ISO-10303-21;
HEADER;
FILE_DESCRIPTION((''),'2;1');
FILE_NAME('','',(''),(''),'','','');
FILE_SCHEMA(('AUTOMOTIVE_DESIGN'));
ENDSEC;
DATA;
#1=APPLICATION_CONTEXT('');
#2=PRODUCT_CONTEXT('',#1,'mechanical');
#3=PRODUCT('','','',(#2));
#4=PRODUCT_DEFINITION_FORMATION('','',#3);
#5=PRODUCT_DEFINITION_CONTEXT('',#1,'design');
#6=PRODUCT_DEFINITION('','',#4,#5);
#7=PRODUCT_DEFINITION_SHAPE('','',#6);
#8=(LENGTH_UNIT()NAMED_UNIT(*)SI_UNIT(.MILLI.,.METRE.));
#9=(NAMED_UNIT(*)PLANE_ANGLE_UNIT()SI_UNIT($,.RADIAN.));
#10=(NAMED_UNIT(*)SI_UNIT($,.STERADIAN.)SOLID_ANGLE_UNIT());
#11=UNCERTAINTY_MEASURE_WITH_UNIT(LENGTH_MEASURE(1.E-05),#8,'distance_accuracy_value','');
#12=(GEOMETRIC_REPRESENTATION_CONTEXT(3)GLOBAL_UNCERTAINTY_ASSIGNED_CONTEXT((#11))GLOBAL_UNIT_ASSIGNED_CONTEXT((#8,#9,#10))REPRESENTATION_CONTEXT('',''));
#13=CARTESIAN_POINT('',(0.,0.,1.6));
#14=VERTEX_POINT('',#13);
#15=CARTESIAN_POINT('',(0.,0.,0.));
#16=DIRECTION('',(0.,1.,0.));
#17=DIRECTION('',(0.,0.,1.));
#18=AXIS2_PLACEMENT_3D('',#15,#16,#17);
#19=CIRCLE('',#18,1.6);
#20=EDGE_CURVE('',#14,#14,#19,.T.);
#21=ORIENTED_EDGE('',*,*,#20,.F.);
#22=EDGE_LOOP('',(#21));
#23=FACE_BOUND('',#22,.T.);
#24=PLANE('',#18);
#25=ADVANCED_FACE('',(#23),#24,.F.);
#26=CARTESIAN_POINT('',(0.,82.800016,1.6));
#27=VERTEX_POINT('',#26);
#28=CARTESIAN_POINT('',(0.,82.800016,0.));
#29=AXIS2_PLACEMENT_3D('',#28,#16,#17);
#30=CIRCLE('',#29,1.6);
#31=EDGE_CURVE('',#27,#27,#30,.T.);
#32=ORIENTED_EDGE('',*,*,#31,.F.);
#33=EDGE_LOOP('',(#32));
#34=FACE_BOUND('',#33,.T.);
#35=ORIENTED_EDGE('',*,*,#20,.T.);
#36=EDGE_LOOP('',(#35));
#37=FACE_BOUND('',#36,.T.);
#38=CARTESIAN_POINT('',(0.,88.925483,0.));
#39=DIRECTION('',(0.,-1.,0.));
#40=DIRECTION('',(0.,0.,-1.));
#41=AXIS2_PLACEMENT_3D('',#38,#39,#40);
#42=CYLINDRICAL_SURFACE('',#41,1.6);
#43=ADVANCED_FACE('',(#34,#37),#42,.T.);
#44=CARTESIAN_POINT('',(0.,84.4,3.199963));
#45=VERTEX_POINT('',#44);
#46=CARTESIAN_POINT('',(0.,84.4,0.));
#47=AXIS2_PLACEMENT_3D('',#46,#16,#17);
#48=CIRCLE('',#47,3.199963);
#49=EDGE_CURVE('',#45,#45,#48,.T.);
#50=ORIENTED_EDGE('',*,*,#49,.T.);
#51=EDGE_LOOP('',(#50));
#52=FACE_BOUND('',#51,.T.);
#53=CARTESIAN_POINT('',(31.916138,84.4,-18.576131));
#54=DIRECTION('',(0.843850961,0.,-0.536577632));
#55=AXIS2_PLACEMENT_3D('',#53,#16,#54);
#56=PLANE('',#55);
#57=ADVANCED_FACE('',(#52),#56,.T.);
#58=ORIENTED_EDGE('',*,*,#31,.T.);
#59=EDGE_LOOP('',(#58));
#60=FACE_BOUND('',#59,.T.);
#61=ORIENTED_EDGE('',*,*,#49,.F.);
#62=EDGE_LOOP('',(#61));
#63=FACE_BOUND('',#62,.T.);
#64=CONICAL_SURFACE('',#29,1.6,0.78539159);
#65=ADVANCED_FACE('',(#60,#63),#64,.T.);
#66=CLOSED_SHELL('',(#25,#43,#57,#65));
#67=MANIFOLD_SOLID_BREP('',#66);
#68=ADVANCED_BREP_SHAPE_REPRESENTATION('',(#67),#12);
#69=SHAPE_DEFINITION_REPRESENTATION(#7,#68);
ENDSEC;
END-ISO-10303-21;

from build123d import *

# Parameters (mm, degrees)
SKETCH1_R           = 1.6
BOSS_EXTRUDE1_DEPTH = 84.4


with BuildPart() as part:
    # Sketch1 → Boss-Extrude1 (new body)
    with BuildSketch(Plane(origin=(0, 0, 0), x_dir=(1, 0, 0), z_dir=(0, 1, 0))):
        Circle(SKETCH1_R)
    extrude(amount=BOSS_EXTRUDE1_DEPTH)

    # Sketch4 → Revolve1 (revolve)
    with BuildSketch(Plane.XY):
        Polygon((1.6, 84.4), (1.6, 82.80001564), (3.199963324, 84.4), align=None)
    revolve(axis=Axis((0, 84.4, 0), (0, -1, 0)))


solid = part.part
